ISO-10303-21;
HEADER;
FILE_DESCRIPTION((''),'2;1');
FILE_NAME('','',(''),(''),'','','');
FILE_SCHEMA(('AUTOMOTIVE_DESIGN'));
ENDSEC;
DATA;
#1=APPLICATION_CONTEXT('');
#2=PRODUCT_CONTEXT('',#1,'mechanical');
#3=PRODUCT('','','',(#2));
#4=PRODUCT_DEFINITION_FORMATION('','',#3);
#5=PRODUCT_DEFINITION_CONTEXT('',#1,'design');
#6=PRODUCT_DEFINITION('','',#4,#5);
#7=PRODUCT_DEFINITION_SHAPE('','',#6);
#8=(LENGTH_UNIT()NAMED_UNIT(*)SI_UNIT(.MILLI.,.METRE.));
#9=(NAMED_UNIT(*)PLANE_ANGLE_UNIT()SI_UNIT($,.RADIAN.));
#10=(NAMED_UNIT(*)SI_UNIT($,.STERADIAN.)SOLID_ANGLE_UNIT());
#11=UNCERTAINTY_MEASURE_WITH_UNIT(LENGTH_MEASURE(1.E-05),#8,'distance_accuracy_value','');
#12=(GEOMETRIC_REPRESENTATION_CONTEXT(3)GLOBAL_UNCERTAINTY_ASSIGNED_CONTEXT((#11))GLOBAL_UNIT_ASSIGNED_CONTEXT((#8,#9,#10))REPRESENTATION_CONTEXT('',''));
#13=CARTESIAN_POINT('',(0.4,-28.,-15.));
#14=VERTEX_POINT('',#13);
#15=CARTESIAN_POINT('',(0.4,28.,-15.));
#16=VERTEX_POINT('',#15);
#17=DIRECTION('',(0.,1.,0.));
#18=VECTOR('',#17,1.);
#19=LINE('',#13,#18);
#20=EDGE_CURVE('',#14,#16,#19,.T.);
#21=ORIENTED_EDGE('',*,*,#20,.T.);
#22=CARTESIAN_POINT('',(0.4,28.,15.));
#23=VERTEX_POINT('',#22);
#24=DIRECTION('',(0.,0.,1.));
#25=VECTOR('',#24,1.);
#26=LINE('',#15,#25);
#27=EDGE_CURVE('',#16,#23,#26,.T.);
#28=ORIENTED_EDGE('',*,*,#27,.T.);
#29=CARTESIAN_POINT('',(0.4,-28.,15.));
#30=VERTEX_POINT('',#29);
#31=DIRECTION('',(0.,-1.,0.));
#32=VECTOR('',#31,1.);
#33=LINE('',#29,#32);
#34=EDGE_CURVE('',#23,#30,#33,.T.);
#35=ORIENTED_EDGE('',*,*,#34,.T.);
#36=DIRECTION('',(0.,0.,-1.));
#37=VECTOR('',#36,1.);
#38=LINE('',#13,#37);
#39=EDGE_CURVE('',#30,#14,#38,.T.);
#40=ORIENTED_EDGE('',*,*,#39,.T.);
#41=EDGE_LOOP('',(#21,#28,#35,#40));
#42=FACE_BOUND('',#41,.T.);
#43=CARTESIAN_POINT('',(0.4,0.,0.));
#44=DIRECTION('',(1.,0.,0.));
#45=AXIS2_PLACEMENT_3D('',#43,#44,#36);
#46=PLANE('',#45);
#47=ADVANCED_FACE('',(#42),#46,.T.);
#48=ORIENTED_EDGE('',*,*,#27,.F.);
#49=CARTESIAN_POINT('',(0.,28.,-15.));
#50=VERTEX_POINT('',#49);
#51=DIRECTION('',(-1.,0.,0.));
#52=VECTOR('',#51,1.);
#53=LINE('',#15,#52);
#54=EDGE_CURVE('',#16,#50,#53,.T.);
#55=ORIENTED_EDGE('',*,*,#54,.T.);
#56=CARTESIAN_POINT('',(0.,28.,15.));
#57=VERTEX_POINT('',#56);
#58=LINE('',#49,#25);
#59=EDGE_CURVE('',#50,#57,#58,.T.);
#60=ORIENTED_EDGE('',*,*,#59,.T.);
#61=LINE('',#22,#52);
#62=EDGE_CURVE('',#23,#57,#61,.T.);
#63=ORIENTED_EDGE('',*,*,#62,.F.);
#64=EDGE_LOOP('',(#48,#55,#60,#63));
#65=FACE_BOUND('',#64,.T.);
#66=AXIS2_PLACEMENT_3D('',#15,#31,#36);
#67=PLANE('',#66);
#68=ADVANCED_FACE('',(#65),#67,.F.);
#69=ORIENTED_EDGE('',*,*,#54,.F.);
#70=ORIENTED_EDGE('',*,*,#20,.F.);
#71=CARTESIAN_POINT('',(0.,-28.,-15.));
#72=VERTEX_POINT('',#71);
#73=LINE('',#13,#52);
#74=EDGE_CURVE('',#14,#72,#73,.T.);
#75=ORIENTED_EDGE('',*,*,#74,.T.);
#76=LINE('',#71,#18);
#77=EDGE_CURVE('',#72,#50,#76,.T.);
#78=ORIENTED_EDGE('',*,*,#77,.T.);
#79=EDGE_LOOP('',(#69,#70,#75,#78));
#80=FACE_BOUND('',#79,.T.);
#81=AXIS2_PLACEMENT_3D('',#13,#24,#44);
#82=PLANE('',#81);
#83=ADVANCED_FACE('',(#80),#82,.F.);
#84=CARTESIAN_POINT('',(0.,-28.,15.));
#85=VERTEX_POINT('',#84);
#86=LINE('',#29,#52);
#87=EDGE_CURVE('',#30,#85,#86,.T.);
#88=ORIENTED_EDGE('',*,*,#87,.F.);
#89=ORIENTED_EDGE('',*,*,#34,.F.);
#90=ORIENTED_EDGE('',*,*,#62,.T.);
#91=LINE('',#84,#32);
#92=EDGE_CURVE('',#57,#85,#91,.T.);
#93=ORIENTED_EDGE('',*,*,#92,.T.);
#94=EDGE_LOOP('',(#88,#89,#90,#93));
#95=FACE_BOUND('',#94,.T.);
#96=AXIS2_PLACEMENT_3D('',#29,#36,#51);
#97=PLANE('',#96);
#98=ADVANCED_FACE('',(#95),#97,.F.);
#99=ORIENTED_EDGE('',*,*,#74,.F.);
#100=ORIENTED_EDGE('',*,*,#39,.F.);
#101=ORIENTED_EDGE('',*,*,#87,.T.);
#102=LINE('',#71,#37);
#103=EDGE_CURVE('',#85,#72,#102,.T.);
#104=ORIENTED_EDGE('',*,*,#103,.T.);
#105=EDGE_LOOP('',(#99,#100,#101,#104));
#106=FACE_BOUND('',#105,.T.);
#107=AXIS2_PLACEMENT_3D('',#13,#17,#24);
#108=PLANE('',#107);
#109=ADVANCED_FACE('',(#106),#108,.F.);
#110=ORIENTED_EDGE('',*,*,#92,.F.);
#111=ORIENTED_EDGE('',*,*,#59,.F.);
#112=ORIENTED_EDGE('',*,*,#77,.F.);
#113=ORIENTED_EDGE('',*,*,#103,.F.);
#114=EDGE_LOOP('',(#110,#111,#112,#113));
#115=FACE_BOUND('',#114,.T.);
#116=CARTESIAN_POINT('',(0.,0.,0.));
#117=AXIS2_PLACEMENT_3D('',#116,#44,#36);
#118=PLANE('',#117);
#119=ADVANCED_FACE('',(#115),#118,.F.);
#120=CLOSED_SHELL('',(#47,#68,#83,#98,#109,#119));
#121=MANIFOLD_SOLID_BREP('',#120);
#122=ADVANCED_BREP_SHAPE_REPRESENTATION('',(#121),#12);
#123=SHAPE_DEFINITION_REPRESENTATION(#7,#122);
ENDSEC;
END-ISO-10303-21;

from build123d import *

# Parameters (mm, degrees)
SKETCH1_W           = 30
SKETCH1_H           = 56
BOSS_EXTRUDE1_DEPTH = 0.4


with BuildPart() as part:
    # Sketch1 → Boss-Extrude1 (new body)
    with BuildSketch(Plane(origin=(0, 0, 0), x_dir=(0, 0, -1), z_dir=(1, 0, 0))):
        Rectangle(SKETCH1_W, SKETCH1_H)
    extrude(amount=BOSS_EXTRUDE1_DEPTH)


solid = part.part
